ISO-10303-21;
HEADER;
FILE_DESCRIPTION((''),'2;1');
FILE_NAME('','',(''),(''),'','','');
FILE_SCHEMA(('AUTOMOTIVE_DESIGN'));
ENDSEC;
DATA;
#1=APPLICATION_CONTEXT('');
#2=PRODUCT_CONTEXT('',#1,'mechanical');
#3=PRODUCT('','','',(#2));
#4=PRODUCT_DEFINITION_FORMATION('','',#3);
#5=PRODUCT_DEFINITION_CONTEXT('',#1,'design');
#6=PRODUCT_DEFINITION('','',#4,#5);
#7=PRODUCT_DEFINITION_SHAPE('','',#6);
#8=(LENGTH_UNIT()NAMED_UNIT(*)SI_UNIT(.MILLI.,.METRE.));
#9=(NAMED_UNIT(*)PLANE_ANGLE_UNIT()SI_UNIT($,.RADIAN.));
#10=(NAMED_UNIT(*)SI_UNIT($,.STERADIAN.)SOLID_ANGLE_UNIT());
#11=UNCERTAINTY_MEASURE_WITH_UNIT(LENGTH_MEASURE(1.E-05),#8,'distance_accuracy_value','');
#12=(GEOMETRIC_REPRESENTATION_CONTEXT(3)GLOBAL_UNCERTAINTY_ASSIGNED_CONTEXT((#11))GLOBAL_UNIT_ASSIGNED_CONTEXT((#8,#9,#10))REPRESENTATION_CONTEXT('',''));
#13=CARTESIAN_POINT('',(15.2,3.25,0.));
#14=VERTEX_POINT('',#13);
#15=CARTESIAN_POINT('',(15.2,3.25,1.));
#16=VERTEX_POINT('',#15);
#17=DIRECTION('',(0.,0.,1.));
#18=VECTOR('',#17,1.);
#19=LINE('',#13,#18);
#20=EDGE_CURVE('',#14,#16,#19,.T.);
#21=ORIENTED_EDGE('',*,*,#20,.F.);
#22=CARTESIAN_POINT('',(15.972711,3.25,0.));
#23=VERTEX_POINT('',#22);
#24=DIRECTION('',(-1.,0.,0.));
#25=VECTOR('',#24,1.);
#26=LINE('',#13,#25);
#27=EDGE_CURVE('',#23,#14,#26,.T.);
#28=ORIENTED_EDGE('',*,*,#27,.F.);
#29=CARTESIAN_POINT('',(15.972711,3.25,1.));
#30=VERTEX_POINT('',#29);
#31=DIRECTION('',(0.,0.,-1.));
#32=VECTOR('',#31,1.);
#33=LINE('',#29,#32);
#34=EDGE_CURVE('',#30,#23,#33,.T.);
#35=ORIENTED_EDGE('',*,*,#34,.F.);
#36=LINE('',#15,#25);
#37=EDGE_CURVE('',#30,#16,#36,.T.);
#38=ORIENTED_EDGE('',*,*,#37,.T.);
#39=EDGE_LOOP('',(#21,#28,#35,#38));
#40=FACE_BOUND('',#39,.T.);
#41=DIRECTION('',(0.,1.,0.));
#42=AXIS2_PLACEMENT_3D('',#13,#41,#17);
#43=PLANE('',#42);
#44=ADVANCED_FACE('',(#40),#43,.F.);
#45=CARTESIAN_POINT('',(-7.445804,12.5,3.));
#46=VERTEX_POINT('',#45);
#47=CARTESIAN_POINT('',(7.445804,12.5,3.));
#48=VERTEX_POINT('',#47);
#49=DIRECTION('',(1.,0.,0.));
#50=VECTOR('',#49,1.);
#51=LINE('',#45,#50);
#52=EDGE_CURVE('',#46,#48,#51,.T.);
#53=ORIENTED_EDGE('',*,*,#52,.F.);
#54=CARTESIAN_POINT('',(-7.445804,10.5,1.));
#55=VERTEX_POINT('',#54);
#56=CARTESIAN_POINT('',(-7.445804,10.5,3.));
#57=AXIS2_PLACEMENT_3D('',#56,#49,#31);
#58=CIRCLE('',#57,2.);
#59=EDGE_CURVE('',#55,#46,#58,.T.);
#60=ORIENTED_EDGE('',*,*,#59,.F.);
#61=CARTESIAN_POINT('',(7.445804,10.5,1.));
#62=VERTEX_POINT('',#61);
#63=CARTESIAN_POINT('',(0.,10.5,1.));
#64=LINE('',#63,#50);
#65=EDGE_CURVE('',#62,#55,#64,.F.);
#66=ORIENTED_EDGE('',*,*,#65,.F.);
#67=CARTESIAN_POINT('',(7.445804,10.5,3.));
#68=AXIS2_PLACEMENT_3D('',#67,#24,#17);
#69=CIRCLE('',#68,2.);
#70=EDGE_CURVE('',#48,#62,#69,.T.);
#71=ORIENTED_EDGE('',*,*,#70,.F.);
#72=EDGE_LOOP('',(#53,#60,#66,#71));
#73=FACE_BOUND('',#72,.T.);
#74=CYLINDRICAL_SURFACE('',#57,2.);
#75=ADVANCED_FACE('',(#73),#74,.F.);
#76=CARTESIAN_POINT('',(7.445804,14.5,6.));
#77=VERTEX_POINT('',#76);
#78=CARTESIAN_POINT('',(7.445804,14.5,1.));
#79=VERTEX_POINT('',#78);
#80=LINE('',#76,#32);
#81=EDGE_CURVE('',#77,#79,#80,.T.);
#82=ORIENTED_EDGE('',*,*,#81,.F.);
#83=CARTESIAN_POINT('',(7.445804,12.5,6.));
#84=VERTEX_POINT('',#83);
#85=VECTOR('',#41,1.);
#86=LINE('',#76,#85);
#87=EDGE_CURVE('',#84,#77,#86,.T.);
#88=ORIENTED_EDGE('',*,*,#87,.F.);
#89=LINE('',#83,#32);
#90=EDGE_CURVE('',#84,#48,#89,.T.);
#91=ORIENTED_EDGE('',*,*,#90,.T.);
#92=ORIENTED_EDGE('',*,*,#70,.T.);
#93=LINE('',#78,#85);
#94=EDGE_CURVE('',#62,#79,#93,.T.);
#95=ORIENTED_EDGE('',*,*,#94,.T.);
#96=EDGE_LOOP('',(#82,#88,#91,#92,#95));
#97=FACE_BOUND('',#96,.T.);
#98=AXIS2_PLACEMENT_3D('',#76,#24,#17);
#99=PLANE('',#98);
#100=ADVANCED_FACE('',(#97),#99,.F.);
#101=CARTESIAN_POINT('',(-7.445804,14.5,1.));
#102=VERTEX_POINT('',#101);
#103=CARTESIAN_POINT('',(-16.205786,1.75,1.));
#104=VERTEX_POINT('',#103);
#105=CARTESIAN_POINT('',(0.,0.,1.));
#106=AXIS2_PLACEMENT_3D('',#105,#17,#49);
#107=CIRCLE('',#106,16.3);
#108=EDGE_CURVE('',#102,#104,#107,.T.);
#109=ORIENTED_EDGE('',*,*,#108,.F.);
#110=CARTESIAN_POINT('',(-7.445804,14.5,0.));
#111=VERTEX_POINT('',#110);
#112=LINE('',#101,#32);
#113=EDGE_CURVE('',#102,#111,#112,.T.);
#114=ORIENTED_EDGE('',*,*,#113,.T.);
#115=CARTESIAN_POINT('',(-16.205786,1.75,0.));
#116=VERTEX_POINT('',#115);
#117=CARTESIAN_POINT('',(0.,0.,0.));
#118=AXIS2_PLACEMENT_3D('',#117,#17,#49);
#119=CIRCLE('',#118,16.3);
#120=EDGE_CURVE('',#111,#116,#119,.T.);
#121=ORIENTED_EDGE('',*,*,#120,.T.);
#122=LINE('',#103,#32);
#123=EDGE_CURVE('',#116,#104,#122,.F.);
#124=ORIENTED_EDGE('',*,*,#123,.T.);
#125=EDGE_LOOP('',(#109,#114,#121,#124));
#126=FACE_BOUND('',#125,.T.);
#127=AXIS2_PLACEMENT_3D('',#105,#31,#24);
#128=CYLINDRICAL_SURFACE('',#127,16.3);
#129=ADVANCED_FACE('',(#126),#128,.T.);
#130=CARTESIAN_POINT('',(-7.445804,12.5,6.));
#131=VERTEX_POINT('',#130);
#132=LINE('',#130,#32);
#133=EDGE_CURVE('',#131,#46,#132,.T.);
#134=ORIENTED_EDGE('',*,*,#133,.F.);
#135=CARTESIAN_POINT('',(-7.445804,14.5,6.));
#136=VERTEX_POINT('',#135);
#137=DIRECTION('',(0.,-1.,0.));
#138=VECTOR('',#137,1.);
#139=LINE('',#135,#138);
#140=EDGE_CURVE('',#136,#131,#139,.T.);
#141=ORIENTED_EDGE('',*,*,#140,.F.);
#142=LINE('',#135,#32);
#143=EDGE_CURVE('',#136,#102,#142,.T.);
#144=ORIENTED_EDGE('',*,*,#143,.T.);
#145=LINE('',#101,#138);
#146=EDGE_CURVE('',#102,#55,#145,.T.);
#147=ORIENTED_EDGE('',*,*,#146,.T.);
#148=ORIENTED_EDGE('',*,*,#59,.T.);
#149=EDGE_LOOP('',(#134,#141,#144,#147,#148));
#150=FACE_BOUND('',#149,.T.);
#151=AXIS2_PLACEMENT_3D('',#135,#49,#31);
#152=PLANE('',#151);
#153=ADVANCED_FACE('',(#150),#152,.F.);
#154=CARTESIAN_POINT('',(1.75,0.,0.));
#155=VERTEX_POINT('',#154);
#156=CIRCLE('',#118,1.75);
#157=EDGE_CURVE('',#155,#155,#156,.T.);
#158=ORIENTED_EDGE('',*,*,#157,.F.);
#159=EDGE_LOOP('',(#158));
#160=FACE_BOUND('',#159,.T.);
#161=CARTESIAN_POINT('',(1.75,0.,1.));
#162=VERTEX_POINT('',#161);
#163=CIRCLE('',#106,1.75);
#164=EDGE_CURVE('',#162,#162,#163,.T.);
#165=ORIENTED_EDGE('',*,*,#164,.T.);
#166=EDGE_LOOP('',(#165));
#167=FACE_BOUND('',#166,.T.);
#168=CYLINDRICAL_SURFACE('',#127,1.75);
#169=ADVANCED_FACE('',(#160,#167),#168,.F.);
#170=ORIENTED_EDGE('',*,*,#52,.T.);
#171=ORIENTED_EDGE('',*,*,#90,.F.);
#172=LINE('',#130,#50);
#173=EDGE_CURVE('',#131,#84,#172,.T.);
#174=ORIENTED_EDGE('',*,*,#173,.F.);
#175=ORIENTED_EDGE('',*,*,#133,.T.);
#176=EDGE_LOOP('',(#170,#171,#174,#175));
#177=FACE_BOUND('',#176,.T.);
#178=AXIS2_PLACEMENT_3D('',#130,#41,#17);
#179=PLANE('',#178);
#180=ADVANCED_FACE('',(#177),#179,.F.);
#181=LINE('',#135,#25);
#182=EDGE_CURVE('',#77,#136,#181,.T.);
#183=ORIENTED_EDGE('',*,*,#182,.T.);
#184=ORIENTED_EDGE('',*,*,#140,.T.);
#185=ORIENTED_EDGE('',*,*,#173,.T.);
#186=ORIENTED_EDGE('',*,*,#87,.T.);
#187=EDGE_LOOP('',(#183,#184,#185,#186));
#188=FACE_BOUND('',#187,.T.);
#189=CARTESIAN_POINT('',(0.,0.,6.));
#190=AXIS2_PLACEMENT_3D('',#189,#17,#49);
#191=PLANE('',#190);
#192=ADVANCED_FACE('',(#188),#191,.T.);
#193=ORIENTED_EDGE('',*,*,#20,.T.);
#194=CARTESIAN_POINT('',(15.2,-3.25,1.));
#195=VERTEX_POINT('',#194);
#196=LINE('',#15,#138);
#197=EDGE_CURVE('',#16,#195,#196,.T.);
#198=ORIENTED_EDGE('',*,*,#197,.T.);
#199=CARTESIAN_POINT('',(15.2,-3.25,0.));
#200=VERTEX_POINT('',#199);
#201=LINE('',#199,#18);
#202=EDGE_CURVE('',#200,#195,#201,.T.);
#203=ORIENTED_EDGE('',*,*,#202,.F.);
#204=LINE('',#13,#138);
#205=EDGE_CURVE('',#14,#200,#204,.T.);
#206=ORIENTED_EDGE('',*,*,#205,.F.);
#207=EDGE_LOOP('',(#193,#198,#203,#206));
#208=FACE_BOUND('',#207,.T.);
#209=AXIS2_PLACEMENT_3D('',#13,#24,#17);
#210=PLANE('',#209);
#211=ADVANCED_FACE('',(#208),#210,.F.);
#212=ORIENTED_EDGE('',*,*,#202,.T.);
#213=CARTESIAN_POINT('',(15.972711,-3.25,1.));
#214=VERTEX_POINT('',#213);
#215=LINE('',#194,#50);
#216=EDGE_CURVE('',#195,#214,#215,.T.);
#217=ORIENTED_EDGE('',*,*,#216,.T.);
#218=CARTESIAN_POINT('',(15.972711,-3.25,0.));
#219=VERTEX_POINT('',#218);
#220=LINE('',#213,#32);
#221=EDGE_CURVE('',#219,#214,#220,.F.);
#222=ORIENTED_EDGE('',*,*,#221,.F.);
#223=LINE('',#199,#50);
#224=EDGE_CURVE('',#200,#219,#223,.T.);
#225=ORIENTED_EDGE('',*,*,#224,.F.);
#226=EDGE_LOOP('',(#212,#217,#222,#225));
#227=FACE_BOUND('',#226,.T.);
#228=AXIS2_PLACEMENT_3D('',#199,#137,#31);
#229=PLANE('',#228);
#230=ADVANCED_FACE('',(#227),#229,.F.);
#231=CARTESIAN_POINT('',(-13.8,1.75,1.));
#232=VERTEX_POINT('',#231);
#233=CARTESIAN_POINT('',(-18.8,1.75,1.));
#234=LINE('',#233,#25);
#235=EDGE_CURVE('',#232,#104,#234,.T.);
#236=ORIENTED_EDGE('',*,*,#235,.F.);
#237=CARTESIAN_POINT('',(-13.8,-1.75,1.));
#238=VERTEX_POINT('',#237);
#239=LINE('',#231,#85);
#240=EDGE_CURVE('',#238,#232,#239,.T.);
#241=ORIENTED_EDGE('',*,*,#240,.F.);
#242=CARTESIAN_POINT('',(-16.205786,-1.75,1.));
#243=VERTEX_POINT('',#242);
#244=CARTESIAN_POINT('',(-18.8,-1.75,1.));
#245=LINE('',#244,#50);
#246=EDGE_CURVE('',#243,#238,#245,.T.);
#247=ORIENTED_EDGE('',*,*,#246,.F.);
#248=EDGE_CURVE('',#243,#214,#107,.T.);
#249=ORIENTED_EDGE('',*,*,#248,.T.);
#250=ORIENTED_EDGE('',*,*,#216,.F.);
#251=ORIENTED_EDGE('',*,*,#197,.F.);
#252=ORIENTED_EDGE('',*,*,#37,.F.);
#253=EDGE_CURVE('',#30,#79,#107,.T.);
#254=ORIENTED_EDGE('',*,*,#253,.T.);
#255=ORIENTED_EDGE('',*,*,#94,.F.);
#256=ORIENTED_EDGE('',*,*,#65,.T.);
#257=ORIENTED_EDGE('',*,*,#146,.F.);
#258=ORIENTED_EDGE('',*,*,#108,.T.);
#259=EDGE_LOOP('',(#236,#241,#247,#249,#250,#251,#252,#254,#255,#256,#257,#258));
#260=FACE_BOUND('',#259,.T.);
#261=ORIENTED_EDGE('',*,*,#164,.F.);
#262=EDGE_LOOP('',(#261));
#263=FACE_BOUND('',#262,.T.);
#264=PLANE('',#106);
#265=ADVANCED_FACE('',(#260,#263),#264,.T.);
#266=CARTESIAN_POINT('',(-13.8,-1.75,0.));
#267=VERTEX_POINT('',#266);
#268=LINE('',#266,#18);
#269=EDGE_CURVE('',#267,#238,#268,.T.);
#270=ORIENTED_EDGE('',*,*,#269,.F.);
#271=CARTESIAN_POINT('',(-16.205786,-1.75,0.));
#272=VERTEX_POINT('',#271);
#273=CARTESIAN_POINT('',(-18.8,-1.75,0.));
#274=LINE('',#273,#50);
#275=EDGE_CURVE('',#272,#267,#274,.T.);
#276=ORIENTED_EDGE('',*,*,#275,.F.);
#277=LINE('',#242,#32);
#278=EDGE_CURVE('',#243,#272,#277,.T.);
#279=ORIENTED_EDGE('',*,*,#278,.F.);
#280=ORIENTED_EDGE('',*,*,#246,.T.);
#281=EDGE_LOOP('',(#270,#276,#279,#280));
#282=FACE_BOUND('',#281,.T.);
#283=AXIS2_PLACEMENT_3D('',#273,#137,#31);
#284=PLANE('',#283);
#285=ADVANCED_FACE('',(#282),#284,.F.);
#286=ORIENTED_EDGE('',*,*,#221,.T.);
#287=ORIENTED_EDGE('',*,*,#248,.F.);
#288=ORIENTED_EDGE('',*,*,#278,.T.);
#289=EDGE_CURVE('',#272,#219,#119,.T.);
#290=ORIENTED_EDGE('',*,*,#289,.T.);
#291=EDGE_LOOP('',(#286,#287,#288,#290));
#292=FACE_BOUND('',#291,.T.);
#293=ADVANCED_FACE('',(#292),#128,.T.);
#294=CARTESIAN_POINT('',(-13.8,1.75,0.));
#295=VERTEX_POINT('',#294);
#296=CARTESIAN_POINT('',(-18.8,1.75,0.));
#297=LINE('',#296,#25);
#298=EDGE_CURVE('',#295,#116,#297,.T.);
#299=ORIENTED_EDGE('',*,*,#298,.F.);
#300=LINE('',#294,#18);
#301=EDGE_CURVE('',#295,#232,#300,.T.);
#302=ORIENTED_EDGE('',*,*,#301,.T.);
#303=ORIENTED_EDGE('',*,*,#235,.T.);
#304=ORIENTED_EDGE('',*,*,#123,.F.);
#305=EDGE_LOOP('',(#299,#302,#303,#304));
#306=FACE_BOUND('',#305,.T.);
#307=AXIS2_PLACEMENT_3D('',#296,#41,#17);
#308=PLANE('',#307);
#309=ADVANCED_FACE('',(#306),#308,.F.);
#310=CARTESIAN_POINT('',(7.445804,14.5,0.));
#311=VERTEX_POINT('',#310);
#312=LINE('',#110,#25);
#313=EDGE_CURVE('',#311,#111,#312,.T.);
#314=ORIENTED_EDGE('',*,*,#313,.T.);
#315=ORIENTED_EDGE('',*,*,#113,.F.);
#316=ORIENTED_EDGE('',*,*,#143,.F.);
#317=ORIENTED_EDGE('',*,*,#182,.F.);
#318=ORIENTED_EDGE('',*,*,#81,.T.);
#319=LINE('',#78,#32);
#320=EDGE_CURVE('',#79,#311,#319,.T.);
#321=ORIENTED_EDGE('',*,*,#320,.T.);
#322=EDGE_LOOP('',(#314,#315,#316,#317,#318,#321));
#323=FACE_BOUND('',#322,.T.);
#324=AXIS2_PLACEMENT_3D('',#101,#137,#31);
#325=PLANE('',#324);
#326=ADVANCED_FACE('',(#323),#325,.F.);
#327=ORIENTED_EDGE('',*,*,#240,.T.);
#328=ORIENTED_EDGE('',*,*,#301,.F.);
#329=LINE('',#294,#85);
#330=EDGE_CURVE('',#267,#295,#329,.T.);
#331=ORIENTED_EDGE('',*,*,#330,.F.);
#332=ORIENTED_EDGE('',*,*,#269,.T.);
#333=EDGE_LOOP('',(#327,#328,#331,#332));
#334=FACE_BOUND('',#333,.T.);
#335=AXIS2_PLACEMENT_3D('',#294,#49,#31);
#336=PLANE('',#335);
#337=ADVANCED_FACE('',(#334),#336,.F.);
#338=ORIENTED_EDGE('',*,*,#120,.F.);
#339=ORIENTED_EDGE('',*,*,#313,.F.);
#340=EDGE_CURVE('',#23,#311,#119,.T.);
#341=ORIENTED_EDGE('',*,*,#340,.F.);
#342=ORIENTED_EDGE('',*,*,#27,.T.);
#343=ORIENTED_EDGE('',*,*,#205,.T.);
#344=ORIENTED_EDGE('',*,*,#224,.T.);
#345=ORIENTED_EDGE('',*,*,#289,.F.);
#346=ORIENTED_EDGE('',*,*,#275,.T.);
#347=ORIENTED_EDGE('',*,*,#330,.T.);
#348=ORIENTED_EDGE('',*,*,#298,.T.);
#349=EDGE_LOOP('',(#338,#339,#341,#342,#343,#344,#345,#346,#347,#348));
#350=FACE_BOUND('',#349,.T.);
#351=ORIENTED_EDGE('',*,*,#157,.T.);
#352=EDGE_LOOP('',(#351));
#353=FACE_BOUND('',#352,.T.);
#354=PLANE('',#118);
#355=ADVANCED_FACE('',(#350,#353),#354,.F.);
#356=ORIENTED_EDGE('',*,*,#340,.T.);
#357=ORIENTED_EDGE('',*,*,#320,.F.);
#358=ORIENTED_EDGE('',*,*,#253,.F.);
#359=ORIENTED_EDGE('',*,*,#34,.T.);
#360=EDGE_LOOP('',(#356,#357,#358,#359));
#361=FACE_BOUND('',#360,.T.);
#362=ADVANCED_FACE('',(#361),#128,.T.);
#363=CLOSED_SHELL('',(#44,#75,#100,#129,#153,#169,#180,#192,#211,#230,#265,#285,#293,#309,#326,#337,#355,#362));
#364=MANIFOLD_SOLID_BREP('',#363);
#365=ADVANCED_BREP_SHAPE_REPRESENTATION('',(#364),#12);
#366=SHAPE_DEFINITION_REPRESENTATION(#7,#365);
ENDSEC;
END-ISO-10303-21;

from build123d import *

# Parameters (mm, degrees)
SKETCH_1_R          = 1.75
EXTRUDE_1_DEPTH     = 1
SKETCH_2_W          = 5
SKETCH_2_H          = 3.5
SKETCH_2_W_2        = 2
SKETCH_2_H_2        = 6.5
CUT_EXTRUDE_1_DEPTH = 2
SKETCH_3_W          = 14.891608376
SKETCH_3_H          = 2
EXTRUDE_2_DEPTH     = 5
FILLET_1_R          = 2


with BuildPart() as part:
    # 草图1 → 凸台-拉伸1 (new body)
    with BuildSketch(Plane.XY):
        with BuildLine():
            Line((-7.445804188, 14.5), (7.445804188, 14.5))
            ThreePointArc((7.445804188, 14.5), (0, -16.3), (-7.445804188, 14.5))
        make_face()
        Circle(SKETCH_1_R, mode=Mode.SUBTRACT)
    extrude(amount=EXTRUDE_1_DEPTH)

    # 草图2 → 切除-拉伸1 (cut, through all)
    with BuildSketch(Plane.XY.offset(1)):
        with Locations((-16.3, 0)):
            Rectangle(SKETCH_2_W, SKETCH_2_H)
        with Locations((16.2, 0)):
            Rectangle(SKETCH_2_W_2, SKETCH_2_H_2)
    extrude(amount=-CUT_EXTRUDE_1_DEPTH, mode=Mode.SUBTRACT)

    # 草图3 → 凸台-拉伸2 (add)
    with BuildSketch(Plane.XY.offset(1)):
        with Locations((0, 13.5)):
            Rectangle(SKETCH_3_W, SKETCH_3_H)
    extrude(amount=EXTRUDE_2_DEPTH)

    # 圆角1
    fillet_1_edges = [part.edges().sort_by_distance(p)[0] for p in [
        (0, 12.5, 1),
    ]]
    fillet(fillet_1_edges, radius=FILLET_1_R)


solid = part.part
